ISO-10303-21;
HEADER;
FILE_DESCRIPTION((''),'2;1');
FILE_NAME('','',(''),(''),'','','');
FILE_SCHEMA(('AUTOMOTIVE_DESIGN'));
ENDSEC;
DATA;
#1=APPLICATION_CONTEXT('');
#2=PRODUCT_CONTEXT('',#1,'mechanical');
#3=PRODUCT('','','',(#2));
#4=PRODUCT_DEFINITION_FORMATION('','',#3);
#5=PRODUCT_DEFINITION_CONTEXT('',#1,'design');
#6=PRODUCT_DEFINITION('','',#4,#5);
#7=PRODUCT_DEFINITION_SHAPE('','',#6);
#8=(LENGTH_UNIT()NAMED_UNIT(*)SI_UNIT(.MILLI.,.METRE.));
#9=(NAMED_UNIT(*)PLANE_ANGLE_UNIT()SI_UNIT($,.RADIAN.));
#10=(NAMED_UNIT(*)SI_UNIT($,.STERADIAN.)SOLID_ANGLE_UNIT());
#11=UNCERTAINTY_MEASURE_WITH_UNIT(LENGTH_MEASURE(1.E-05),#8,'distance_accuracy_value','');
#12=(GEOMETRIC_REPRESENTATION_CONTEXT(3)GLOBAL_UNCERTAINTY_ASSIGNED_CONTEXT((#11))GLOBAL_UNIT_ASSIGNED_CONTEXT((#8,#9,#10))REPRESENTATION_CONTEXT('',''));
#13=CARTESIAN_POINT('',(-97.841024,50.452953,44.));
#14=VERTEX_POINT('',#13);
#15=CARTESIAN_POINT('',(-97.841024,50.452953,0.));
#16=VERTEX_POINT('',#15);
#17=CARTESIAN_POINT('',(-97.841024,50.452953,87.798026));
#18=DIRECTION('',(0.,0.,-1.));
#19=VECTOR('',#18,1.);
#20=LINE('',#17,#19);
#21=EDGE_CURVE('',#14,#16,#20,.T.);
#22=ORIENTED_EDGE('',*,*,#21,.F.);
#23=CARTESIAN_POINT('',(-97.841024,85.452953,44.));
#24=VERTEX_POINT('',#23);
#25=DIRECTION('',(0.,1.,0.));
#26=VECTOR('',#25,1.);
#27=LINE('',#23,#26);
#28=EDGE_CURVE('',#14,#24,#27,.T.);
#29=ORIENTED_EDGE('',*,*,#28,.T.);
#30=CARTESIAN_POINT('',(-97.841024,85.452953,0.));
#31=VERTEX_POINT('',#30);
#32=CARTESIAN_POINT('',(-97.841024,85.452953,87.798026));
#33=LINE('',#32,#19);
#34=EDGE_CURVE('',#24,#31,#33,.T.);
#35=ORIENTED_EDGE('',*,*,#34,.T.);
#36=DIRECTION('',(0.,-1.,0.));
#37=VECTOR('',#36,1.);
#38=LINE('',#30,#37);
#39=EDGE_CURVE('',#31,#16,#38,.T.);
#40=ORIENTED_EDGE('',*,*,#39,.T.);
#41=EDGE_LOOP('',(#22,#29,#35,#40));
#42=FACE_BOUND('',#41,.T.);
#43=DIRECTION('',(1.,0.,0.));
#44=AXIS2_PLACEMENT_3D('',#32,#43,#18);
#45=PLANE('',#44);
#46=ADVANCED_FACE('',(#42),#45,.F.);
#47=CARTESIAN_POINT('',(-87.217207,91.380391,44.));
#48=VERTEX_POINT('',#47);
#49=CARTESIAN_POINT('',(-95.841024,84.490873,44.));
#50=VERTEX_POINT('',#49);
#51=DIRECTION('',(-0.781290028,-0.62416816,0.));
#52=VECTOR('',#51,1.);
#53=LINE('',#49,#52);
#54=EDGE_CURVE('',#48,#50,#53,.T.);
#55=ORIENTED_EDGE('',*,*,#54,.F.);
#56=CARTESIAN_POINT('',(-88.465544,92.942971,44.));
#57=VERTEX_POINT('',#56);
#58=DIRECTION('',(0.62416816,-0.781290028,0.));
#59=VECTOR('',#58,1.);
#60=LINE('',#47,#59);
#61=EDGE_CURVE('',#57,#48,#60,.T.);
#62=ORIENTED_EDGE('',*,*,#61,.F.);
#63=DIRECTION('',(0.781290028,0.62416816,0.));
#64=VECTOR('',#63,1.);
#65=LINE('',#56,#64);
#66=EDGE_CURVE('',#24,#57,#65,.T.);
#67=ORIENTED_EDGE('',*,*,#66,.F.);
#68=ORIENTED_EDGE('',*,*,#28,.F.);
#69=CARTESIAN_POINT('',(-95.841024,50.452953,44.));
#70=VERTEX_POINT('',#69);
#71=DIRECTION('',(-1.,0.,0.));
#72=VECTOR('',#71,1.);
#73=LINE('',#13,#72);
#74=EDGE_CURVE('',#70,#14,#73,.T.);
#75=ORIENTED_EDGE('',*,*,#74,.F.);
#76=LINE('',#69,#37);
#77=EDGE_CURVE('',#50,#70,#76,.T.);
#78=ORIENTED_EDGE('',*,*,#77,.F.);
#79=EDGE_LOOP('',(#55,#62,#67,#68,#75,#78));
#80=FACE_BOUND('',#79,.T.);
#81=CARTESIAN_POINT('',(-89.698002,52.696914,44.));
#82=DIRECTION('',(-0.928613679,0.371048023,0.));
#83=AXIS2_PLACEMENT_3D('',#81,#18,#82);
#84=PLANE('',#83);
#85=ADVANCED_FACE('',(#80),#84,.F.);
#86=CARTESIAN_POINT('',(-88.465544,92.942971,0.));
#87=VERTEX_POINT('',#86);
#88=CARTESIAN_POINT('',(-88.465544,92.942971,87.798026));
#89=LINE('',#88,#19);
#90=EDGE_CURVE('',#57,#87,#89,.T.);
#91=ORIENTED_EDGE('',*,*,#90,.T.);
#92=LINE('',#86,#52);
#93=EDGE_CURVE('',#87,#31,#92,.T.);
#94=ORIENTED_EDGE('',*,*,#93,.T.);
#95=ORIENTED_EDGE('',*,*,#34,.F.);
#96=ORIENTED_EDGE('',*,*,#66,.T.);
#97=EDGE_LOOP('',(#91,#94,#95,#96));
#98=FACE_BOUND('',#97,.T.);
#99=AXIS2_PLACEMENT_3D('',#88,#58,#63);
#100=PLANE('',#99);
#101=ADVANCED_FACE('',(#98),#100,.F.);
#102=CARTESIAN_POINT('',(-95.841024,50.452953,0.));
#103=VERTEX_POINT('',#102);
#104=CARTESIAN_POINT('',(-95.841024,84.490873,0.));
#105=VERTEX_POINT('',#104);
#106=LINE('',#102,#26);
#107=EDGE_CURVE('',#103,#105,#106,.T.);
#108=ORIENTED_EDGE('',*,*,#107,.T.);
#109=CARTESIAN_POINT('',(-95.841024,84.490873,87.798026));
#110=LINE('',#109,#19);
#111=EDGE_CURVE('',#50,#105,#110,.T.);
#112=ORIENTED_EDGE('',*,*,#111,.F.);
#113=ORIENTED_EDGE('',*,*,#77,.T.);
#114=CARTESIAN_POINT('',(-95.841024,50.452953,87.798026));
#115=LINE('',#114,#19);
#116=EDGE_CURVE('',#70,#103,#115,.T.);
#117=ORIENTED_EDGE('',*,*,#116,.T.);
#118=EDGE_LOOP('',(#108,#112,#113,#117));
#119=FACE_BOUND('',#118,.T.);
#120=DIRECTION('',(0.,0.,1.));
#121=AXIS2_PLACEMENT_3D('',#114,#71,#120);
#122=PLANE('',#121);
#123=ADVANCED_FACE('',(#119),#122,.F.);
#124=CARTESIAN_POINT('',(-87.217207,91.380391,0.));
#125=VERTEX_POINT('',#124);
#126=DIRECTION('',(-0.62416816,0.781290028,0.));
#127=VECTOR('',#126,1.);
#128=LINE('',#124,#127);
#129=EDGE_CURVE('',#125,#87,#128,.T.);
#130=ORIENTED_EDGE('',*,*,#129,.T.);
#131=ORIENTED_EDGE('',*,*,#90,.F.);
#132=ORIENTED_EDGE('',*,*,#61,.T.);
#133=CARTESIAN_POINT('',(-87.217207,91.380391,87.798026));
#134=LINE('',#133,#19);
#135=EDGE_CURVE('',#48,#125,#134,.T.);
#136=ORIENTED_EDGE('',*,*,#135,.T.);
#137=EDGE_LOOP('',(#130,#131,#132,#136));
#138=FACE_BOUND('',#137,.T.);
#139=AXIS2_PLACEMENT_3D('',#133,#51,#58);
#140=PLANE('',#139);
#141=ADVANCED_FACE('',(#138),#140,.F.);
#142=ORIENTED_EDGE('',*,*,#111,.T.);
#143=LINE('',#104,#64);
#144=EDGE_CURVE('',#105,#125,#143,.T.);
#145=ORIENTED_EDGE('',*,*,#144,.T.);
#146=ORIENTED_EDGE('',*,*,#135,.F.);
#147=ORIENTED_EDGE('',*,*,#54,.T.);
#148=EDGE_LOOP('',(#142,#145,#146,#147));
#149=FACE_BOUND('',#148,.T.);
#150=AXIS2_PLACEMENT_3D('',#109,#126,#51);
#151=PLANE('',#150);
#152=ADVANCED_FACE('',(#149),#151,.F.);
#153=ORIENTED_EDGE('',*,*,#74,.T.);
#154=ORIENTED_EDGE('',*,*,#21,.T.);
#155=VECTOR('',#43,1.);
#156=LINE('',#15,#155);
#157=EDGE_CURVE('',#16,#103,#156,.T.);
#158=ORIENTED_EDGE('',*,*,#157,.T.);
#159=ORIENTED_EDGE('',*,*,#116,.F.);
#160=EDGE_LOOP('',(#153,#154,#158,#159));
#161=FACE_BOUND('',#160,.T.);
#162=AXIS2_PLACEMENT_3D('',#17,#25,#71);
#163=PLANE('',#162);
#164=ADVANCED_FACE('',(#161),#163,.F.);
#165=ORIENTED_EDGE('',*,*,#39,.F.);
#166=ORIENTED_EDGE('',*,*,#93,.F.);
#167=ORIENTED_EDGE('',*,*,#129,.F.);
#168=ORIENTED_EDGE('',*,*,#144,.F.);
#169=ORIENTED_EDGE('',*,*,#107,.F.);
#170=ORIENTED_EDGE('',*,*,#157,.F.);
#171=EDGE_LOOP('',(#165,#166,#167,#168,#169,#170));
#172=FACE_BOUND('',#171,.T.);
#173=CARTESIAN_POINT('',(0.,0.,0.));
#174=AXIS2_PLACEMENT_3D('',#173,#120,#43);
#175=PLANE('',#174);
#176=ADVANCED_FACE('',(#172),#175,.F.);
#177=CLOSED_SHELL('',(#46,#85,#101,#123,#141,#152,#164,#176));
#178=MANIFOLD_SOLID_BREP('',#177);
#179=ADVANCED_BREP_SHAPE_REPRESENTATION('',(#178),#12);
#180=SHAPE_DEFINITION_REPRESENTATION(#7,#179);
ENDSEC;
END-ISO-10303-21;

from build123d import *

# Parameters (mm, degrees)
BOSS_EXTRUDE1_DEPTH = 44


with BuildPart() as part:
    # Sketch1 → Boss-Extrude1 (new body)
    with BuildSketch(Plane.XY):
        Polygon((-95.841023878, 50.452952872), (-95.841023878, 84.490872654), (-87.217207217, 91.38039073), (-88.465543537, 92.942970787), (-97.841023878, 85.452952872), (-97.841023878, 50.452952872), align=None)
    extrude(amount=BOSS_EXTRUDE1_DEPTH)


solid = part.part
